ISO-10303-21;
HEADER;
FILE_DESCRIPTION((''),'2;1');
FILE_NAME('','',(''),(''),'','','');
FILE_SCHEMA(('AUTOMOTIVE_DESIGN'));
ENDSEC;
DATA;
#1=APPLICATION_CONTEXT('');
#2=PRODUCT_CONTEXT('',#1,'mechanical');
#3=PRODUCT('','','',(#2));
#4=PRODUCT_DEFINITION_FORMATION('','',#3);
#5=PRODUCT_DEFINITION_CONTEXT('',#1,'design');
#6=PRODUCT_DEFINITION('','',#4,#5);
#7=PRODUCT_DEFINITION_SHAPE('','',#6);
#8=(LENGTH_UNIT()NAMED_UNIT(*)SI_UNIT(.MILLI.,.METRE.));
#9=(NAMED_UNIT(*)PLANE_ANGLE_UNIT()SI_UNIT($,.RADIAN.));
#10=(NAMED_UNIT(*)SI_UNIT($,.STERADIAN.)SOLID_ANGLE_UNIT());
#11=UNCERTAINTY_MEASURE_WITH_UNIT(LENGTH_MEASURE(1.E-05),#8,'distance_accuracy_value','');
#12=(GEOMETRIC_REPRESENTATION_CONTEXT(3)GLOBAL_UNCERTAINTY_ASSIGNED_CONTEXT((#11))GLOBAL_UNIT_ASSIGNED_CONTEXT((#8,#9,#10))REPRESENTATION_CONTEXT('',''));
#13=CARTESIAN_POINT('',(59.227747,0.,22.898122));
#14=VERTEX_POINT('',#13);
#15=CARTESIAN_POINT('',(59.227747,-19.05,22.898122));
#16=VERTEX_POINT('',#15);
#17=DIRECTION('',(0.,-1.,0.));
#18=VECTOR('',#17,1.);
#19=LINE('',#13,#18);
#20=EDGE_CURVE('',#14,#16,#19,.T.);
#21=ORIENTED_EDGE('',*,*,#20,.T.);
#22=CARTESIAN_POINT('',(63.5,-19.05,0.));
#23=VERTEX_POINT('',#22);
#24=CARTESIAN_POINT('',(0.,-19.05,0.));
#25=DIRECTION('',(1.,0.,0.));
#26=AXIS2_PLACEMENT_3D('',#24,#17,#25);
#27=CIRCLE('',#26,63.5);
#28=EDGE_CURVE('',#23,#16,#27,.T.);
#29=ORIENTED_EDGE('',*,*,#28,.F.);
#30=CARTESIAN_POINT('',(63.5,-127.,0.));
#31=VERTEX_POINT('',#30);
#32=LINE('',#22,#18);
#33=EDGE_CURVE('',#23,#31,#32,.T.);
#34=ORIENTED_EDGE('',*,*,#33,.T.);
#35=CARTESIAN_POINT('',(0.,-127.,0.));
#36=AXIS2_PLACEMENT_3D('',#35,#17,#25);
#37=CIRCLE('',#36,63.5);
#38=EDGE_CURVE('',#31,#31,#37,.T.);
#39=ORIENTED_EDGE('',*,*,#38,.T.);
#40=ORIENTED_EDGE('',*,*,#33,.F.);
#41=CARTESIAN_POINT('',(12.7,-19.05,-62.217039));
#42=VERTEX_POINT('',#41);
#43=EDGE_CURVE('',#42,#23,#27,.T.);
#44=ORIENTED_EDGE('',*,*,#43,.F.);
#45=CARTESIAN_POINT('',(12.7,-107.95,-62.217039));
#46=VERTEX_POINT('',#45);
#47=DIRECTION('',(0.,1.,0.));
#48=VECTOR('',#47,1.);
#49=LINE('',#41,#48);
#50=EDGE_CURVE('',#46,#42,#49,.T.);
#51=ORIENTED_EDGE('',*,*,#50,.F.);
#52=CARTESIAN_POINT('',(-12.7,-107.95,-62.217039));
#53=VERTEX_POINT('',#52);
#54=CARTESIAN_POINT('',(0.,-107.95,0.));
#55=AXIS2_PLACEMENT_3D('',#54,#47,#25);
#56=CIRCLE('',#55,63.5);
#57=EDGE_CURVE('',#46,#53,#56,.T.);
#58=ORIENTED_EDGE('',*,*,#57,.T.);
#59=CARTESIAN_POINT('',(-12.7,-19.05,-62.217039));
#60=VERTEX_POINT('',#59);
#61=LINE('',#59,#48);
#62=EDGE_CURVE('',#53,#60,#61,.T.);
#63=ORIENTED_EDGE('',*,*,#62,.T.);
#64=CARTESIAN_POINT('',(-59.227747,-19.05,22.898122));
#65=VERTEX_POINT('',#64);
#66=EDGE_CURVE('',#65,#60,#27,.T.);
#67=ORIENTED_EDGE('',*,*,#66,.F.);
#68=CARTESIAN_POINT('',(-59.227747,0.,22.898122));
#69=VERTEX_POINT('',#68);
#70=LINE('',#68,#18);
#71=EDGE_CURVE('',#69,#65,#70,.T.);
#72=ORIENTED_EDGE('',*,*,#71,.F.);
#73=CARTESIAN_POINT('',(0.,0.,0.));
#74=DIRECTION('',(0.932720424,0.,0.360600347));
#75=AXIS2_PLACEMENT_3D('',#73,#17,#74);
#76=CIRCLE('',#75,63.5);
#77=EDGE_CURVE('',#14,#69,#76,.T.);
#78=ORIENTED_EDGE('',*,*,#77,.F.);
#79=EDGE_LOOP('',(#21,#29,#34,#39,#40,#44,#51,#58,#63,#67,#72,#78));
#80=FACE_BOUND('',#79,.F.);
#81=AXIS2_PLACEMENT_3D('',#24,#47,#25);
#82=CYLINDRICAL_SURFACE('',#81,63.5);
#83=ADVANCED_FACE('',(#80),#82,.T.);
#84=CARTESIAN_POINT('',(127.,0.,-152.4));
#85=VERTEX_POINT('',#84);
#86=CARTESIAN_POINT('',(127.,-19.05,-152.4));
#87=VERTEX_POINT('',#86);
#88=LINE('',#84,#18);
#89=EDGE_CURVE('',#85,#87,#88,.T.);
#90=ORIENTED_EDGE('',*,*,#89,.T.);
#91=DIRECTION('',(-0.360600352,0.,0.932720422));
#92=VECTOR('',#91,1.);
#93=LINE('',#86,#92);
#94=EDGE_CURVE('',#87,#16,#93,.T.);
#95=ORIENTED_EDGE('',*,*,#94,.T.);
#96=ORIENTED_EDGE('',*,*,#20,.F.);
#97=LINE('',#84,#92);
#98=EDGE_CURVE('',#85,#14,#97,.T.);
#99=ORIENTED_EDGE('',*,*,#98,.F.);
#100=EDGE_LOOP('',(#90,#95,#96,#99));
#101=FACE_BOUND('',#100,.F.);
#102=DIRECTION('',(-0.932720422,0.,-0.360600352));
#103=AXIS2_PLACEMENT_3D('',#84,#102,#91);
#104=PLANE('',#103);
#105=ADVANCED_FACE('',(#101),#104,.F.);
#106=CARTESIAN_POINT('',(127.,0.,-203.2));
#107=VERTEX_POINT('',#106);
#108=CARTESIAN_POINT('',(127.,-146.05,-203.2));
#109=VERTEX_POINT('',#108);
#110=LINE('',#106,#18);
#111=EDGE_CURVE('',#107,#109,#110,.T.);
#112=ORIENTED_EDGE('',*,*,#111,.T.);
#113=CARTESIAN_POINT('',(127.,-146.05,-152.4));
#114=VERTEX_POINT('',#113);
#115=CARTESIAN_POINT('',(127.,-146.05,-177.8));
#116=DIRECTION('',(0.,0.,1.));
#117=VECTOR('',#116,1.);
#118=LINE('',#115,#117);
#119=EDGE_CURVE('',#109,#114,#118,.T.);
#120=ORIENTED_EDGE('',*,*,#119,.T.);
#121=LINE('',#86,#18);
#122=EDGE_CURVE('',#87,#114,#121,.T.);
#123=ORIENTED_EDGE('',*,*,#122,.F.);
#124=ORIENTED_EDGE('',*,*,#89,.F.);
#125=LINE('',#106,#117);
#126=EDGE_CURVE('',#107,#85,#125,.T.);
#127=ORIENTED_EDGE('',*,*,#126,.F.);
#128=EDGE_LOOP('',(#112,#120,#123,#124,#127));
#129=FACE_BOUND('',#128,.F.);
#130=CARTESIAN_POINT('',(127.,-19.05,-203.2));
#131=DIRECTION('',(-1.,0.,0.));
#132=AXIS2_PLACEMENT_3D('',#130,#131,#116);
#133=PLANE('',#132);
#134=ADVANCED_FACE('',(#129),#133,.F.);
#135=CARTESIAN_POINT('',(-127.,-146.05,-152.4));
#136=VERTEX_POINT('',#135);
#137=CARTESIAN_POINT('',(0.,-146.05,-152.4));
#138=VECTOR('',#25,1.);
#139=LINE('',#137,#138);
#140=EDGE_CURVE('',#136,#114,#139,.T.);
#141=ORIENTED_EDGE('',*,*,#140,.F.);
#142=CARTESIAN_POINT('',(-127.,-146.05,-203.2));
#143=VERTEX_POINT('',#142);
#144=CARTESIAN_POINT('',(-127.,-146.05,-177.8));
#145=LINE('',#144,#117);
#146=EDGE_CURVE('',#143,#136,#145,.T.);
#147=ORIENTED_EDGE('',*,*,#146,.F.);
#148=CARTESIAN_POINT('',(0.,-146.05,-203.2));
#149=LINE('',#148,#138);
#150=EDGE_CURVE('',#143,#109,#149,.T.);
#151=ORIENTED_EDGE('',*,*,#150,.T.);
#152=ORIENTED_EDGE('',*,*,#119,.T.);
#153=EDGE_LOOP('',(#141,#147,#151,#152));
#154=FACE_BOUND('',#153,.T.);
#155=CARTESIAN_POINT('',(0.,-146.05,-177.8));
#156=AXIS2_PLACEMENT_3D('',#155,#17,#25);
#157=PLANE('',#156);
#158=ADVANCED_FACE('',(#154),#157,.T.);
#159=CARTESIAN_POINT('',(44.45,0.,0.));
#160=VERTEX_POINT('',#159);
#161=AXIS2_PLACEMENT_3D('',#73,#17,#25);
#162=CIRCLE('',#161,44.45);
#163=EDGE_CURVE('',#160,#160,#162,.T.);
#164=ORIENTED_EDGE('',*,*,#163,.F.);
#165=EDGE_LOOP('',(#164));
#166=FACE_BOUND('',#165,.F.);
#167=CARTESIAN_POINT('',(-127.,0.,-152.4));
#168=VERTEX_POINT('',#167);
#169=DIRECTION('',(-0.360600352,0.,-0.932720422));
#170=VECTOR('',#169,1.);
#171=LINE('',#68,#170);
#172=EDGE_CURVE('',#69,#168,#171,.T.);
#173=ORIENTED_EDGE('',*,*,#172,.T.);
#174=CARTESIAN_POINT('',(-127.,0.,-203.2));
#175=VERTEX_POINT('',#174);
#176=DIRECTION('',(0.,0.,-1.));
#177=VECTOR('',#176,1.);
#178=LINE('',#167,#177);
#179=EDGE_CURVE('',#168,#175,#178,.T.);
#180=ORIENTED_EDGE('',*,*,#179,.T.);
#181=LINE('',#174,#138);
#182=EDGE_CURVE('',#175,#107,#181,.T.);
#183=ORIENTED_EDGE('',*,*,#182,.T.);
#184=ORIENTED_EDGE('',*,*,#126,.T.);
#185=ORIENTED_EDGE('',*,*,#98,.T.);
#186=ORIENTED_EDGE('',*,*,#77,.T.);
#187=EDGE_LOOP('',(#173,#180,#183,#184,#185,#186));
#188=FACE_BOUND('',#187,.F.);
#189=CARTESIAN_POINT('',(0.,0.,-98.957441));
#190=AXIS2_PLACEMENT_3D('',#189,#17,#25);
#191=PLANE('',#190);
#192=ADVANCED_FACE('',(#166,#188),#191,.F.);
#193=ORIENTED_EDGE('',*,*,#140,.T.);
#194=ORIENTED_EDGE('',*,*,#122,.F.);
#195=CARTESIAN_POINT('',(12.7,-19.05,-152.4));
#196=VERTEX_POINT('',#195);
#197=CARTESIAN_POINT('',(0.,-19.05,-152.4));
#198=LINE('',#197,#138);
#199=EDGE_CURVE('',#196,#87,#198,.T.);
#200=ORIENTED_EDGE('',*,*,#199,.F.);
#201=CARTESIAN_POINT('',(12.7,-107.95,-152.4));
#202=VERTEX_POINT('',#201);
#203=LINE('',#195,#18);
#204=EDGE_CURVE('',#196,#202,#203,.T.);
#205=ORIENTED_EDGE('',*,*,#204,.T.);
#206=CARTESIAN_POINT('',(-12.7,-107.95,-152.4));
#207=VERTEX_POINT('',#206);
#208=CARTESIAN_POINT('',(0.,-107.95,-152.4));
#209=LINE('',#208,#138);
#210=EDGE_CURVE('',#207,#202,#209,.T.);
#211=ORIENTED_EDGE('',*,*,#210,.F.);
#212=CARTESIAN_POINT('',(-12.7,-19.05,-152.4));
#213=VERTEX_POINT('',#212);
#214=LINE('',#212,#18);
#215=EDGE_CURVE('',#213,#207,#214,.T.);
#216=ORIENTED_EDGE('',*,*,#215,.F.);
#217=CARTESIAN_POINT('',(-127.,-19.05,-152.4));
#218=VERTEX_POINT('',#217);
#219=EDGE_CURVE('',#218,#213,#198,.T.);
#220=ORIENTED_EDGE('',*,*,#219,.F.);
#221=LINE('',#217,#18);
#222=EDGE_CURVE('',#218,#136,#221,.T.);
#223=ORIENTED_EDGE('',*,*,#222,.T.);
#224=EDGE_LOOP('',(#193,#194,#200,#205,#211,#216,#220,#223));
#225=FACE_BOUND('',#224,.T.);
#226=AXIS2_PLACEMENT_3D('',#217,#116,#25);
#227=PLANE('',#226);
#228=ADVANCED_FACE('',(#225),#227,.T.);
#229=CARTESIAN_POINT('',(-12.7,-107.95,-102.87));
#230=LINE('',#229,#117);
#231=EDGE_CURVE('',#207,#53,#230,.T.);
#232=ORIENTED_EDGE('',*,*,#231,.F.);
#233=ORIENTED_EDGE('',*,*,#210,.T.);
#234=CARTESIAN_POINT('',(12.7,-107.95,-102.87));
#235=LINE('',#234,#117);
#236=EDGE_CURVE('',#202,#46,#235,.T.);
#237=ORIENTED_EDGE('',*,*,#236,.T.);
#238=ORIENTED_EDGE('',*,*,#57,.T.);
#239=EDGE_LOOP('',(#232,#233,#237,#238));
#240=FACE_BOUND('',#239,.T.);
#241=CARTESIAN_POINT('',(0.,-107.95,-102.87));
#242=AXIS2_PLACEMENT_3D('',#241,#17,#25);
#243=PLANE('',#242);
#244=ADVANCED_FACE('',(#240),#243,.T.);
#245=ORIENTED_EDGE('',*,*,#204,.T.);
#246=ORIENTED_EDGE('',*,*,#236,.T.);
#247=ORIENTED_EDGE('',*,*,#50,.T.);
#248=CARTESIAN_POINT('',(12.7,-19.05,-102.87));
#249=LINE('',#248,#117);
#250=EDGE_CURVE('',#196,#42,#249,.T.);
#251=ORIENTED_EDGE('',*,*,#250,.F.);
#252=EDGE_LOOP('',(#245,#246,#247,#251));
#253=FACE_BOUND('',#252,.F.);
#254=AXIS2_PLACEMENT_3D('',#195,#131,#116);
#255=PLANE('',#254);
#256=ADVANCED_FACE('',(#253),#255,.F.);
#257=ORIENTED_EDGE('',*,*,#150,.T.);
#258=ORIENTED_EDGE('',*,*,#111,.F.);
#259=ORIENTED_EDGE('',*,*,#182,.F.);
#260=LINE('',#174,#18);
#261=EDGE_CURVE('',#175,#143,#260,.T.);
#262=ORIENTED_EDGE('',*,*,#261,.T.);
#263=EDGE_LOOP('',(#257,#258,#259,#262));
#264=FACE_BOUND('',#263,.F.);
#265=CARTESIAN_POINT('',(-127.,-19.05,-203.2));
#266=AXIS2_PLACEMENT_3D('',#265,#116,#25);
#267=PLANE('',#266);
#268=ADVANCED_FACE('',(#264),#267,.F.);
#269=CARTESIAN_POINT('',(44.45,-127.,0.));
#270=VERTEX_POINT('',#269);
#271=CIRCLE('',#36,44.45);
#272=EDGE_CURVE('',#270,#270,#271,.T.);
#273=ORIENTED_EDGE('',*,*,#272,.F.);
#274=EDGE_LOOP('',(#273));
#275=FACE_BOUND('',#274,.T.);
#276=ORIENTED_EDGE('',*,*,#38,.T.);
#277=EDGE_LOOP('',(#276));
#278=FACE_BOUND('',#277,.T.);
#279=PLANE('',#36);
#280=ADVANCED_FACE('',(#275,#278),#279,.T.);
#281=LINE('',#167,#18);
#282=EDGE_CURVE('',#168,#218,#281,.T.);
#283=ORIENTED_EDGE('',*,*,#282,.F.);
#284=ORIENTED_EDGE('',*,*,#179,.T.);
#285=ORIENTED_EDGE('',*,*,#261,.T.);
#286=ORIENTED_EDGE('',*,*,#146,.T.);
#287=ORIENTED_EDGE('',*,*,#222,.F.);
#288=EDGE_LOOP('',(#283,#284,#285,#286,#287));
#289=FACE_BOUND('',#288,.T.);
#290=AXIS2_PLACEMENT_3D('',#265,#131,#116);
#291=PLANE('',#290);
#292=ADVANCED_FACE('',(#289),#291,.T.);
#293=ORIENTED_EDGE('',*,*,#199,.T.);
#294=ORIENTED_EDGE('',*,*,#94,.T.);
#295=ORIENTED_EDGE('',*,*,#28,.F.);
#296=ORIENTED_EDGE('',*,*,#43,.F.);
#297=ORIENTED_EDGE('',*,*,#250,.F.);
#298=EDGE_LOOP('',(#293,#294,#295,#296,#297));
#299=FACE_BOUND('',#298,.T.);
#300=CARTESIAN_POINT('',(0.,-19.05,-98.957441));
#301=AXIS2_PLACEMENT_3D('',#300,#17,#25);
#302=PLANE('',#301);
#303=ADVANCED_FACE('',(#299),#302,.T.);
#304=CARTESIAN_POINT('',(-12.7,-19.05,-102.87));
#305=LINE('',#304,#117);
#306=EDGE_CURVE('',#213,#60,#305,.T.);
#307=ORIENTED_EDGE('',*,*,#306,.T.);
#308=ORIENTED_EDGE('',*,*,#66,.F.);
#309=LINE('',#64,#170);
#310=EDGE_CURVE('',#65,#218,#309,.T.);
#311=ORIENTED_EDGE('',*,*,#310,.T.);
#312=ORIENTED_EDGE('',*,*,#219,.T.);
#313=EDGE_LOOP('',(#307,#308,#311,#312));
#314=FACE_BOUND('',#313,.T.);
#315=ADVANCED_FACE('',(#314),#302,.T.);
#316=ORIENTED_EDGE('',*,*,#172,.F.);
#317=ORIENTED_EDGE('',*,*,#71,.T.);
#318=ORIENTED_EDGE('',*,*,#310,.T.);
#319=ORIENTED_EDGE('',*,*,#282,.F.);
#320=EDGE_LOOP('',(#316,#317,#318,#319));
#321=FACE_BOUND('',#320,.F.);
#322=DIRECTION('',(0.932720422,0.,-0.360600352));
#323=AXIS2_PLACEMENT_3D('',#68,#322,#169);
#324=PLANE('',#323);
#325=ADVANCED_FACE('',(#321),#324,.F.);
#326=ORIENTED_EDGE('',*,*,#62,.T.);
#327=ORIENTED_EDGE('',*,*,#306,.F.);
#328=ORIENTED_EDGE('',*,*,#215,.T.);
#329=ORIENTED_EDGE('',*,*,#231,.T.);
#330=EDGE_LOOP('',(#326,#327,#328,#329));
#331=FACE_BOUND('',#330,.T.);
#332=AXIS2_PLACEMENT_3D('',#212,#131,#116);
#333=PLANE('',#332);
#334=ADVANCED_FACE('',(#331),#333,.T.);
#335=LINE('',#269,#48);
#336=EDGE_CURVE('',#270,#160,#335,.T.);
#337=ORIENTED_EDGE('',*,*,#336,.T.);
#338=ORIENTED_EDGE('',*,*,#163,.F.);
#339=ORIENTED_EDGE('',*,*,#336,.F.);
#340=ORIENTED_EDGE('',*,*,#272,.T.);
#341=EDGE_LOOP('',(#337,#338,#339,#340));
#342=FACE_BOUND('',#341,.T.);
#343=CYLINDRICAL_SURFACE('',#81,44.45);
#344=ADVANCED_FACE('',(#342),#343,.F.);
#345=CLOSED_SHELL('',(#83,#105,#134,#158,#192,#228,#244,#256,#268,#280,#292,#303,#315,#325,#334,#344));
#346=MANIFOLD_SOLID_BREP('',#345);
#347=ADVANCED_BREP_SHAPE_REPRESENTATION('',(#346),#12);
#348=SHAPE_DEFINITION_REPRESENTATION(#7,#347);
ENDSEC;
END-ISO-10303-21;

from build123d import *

# Parameters (mm, degrees)
F0_R     = 44.45
F1_DEPTH = 19.05
F2_R     = 63.5
F2_R_2   = 44.45
F3_DEPTH = 107.95
F4_W     = 254
F4_H     = 50.8
F5_DEPTH = 127
F6_W     = 25.4
F6_H     = 99.06
F7_DEPTH = 88.9


with BuildPart() as f1:
    # F0 (on Front) → F1 (new body)
    with BuildSketch(Plane.XZ):
        with BuildLine():
            Line((127, -152.4), (59.227747, 22.898122))
            ThreePointArc((59.227747, 22.898122), (0, 63.5), (-59.227747, 22.898122))
            Line((-59.227747, 22.898122), (-127, -152.4))
            Line((-127, -152.4), (-127, -203.2))
            Line((-127, -203.2), (127, -203.2))
            Line((127, -203.2), (127, -152.4))
        make_face()
        Circle(F0_R, mode=Mode.SUBTRACT)
    extrude(amount=F1_DEPTH)

    # F2 (on face) → F3 (join)
    with BuildSketch(Plane.XZ.offset(19.05)):
        Circle(F2_R)
        Circle(F2_R_2, mode=Mode.SUBTRACT)
    extrude(amount=F3_DEPTH)

    # F4 (on face) → F5 (join)
    with BuildSketch(Plane.XZ.offset(19.05)):
        with Locations((0, -177.8)):
            Rectangle(F4_W, F4_H)
    extrude(amount=F5_DEPTH)

    # F6 (on face) → F7 (join)
    with BuildSketch(Plane.XZ.offset(19.05)):
        with Locations((0, -102.87)):
            Rectangle(F6_W, F6_H)
    extrude(amount=F7_DEPTH)


solid = f1.part
